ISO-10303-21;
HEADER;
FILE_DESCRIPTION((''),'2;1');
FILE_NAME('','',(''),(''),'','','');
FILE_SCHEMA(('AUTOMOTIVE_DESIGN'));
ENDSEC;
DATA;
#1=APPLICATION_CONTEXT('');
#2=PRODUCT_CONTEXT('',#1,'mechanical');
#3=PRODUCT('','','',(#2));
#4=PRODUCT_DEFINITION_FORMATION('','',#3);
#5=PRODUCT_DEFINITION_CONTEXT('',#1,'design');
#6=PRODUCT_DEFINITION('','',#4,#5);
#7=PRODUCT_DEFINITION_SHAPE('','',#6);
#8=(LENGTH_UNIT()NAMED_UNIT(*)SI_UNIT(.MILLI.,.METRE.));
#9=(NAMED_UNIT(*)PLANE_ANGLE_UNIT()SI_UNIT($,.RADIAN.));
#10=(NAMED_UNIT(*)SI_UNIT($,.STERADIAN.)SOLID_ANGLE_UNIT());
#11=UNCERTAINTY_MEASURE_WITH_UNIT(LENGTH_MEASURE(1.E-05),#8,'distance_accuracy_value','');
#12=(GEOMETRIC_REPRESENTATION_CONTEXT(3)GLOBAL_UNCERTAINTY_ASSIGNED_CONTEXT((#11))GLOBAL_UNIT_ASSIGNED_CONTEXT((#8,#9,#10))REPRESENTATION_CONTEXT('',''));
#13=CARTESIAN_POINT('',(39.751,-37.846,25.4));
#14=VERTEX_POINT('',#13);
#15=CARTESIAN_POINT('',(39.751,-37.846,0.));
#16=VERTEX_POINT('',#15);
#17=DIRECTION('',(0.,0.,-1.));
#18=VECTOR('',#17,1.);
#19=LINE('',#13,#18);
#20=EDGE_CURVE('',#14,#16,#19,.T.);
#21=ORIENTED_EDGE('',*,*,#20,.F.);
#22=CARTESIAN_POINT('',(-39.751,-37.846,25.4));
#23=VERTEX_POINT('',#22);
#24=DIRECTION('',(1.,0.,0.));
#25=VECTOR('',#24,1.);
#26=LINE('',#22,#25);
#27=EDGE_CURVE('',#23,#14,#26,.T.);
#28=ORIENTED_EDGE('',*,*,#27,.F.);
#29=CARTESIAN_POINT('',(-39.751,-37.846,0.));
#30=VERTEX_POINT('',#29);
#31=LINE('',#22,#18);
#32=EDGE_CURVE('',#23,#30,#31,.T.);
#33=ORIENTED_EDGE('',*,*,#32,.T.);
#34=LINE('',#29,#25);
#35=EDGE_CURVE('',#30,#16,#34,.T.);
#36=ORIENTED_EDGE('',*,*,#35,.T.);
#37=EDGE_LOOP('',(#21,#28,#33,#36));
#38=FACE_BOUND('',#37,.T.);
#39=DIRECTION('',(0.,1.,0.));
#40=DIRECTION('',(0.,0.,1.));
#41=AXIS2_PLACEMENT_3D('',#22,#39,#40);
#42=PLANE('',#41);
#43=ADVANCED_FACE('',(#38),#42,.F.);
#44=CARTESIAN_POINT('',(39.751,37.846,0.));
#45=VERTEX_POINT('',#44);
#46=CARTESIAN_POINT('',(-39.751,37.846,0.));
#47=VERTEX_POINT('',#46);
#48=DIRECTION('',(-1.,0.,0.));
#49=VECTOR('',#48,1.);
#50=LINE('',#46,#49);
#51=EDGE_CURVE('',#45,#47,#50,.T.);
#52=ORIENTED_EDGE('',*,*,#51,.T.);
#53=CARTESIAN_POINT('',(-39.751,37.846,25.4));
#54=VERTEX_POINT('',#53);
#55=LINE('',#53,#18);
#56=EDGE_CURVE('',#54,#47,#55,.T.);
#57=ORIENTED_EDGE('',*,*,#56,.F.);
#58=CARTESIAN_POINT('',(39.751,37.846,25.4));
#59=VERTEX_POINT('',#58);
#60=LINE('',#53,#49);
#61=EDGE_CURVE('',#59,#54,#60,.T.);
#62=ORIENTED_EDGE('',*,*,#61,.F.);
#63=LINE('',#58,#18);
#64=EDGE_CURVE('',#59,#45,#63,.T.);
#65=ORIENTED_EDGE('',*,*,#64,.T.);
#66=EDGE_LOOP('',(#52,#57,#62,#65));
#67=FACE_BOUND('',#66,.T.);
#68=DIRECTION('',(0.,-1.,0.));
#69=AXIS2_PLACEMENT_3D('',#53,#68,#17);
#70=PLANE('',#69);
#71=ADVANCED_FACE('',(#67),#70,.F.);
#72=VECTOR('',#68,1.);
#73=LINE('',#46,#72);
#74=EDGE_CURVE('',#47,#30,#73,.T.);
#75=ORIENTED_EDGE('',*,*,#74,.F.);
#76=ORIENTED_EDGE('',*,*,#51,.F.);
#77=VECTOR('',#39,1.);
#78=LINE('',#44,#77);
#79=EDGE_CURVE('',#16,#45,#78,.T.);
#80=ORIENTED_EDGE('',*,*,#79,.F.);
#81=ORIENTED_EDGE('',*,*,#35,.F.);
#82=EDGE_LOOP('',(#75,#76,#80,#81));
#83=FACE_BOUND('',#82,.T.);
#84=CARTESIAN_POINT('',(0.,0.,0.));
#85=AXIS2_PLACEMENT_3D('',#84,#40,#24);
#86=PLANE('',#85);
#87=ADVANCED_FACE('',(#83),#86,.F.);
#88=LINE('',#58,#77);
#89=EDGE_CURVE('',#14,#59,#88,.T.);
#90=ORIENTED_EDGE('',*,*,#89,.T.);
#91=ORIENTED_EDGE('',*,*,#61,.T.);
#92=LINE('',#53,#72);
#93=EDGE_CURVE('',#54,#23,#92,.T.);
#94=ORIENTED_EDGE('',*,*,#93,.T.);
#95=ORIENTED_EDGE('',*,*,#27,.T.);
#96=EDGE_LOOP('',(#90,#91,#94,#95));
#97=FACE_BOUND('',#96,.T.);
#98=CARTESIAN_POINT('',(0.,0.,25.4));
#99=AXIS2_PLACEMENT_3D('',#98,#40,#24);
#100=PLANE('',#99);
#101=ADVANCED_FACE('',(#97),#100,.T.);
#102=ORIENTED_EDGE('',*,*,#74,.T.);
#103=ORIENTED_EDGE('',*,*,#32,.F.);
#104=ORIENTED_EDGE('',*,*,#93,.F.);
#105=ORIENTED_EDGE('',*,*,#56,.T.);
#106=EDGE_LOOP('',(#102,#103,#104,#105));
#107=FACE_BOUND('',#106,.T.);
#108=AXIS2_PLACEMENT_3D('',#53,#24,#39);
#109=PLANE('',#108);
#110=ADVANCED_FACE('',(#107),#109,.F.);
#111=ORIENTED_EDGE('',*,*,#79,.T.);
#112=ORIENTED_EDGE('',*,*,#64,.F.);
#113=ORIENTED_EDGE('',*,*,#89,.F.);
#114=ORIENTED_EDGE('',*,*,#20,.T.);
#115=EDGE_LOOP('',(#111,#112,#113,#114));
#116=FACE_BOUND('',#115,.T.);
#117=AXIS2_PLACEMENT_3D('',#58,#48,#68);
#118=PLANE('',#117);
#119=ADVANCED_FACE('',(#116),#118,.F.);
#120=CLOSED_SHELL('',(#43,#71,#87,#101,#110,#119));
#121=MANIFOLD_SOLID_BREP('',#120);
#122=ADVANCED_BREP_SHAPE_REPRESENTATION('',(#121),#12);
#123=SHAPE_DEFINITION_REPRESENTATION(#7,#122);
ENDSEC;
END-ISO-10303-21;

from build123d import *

# Parameters (mm, degrees)
SKETCH1_W           = 79.502
SKETCH1_H           = 75.692
BOSS_EXTRUDE1_DEPTH = 25.4


with BuildPart() as part:
    # Sketch1 → Boss-Extrude1 (new body)
    with BuildSketch(Plane.XY):
        Rectangle(SKETCH1_W, SKETCH1_H)
    extrude(amount=BOSS_EXTRUDE1_DEPTH)


solid = part.part
